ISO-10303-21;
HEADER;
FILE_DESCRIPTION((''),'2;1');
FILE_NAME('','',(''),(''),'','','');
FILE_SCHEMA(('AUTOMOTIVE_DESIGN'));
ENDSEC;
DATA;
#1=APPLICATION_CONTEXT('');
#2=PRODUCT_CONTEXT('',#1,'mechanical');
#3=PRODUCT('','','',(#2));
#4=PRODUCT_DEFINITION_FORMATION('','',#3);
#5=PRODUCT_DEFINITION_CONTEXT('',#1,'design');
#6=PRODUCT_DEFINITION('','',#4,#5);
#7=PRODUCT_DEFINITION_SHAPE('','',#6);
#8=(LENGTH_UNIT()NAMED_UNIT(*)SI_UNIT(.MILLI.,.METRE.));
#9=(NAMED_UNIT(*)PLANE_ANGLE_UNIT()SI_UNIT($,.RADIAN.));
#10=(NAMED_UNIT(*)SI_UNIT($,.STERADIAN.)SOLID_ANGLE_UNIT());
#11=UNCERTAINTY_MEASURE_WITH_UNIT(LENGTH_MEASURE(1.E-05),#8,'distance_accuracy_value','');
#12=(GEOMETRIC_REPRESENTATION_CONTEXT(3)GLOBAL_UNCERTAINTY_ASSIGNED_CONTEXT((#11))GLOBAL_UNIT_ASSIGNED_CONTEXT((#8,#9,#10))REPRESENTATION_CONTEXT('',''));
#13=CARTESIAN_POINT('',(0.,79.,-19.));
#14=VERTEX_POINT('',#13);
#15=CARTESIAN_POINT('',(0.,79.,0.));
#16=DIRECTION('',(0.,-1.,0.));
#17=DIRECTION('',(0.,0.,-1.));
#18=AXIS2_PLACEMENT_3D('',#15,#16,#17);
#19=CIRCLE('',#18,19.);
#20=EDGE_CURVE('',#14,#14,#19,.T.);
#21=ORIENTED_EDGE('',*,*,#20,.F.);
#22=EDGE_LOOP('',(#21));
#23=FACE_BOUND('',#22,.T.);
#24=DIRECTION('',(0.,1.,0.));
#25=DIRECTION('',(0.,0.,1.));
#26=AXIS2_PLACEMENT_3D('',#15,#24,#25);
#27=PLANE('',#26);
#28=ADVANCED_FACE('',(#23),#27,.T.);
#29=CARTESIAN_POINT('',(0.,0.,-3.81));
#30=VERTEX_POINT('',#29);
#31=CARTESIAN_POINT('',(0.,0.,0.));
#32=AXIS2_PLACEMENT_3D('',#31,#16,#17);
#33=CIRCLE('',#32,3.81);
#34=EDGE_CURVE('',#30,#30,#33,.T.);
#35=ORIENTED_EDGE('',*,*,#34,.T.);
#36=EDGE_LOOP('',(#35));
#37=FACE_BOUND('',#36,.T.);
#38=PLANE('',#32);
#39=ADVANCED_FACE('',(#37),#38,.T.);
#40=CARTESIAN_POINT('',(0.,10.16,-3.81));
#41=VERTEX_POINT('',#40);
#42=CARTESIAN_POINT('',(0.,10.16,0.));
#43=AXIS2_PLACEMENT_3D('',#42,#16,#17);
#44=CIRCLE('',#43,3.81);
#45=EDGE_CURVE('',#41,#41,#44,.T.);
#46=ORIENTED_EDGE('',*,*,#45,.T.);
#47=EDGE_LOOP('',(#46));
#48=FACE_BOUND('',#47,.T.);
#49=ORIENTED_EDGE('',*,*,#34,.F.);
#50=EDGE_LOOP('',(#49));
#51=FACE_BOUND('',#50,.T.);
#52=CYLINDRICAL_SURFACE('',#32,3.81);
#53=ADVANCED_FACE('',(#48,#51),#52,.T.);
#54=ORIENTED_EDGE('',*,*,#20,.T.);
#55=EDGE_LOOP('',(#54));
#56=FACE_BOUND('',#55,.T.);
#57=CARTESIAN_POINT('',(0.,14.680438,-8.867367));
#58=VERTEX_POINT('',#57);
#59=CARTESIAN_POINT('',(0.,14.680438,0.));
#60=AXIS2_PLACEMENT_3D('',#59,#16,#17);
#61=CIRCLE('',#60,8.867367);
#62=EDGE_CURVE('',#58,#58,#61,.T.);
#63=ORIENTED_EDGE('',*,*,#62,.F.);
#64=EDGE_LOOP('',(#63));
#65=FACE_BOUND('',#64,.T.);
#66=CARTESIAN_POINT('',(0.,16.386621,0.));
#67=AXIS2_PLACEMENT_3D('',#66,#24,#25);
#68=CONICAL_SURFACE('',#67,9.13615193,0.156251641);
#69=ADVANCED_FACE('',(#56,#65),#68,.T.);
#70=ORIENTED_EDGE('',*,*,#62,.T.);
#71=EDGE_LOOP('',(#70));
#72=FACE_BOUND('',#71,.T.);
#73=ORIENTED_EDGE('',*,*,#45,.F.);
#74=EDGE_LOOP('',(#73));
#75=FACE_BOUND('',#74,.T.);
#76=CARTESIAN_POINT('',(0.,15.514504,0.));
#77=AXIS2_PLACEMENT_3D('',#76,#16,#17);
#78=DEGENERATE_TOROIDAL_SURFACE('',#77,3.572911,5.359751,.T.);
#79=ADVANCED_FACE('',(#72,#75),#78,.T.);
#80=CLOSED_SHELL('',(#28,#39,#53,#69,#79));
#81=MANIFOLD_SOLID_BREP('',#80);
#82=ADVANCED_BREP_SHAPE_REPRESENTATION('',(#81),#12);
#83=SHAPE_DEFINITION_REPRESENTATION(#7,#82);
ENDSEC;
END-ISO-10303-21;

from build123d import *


with BuildPart() as part:
    # Sketch2 → Revolve6 (revolve)
    with BuildSketch(Plane.XY):
        with BuildLine():
            Line((0, 0), (3.81, 0))
            Line((3.81, 0), (3.81, 10.16))
            ThreePointArc((3.81, 10.16), (7.144757629, 11.518401002), (8.867367053, 14.680438083))
            Line((8.867367053, 14.680438083), (9.13615193, 16.38662103))
            Line((9.13615193, 16.38662103), (19, 79))
            Line((19, 79), (0, 79))
            Line((0, 79), (0, 0))
        make_face()
    revolve(axis=Axis((0, 0, 0), (0, 1, 0)))


solid = part.part
